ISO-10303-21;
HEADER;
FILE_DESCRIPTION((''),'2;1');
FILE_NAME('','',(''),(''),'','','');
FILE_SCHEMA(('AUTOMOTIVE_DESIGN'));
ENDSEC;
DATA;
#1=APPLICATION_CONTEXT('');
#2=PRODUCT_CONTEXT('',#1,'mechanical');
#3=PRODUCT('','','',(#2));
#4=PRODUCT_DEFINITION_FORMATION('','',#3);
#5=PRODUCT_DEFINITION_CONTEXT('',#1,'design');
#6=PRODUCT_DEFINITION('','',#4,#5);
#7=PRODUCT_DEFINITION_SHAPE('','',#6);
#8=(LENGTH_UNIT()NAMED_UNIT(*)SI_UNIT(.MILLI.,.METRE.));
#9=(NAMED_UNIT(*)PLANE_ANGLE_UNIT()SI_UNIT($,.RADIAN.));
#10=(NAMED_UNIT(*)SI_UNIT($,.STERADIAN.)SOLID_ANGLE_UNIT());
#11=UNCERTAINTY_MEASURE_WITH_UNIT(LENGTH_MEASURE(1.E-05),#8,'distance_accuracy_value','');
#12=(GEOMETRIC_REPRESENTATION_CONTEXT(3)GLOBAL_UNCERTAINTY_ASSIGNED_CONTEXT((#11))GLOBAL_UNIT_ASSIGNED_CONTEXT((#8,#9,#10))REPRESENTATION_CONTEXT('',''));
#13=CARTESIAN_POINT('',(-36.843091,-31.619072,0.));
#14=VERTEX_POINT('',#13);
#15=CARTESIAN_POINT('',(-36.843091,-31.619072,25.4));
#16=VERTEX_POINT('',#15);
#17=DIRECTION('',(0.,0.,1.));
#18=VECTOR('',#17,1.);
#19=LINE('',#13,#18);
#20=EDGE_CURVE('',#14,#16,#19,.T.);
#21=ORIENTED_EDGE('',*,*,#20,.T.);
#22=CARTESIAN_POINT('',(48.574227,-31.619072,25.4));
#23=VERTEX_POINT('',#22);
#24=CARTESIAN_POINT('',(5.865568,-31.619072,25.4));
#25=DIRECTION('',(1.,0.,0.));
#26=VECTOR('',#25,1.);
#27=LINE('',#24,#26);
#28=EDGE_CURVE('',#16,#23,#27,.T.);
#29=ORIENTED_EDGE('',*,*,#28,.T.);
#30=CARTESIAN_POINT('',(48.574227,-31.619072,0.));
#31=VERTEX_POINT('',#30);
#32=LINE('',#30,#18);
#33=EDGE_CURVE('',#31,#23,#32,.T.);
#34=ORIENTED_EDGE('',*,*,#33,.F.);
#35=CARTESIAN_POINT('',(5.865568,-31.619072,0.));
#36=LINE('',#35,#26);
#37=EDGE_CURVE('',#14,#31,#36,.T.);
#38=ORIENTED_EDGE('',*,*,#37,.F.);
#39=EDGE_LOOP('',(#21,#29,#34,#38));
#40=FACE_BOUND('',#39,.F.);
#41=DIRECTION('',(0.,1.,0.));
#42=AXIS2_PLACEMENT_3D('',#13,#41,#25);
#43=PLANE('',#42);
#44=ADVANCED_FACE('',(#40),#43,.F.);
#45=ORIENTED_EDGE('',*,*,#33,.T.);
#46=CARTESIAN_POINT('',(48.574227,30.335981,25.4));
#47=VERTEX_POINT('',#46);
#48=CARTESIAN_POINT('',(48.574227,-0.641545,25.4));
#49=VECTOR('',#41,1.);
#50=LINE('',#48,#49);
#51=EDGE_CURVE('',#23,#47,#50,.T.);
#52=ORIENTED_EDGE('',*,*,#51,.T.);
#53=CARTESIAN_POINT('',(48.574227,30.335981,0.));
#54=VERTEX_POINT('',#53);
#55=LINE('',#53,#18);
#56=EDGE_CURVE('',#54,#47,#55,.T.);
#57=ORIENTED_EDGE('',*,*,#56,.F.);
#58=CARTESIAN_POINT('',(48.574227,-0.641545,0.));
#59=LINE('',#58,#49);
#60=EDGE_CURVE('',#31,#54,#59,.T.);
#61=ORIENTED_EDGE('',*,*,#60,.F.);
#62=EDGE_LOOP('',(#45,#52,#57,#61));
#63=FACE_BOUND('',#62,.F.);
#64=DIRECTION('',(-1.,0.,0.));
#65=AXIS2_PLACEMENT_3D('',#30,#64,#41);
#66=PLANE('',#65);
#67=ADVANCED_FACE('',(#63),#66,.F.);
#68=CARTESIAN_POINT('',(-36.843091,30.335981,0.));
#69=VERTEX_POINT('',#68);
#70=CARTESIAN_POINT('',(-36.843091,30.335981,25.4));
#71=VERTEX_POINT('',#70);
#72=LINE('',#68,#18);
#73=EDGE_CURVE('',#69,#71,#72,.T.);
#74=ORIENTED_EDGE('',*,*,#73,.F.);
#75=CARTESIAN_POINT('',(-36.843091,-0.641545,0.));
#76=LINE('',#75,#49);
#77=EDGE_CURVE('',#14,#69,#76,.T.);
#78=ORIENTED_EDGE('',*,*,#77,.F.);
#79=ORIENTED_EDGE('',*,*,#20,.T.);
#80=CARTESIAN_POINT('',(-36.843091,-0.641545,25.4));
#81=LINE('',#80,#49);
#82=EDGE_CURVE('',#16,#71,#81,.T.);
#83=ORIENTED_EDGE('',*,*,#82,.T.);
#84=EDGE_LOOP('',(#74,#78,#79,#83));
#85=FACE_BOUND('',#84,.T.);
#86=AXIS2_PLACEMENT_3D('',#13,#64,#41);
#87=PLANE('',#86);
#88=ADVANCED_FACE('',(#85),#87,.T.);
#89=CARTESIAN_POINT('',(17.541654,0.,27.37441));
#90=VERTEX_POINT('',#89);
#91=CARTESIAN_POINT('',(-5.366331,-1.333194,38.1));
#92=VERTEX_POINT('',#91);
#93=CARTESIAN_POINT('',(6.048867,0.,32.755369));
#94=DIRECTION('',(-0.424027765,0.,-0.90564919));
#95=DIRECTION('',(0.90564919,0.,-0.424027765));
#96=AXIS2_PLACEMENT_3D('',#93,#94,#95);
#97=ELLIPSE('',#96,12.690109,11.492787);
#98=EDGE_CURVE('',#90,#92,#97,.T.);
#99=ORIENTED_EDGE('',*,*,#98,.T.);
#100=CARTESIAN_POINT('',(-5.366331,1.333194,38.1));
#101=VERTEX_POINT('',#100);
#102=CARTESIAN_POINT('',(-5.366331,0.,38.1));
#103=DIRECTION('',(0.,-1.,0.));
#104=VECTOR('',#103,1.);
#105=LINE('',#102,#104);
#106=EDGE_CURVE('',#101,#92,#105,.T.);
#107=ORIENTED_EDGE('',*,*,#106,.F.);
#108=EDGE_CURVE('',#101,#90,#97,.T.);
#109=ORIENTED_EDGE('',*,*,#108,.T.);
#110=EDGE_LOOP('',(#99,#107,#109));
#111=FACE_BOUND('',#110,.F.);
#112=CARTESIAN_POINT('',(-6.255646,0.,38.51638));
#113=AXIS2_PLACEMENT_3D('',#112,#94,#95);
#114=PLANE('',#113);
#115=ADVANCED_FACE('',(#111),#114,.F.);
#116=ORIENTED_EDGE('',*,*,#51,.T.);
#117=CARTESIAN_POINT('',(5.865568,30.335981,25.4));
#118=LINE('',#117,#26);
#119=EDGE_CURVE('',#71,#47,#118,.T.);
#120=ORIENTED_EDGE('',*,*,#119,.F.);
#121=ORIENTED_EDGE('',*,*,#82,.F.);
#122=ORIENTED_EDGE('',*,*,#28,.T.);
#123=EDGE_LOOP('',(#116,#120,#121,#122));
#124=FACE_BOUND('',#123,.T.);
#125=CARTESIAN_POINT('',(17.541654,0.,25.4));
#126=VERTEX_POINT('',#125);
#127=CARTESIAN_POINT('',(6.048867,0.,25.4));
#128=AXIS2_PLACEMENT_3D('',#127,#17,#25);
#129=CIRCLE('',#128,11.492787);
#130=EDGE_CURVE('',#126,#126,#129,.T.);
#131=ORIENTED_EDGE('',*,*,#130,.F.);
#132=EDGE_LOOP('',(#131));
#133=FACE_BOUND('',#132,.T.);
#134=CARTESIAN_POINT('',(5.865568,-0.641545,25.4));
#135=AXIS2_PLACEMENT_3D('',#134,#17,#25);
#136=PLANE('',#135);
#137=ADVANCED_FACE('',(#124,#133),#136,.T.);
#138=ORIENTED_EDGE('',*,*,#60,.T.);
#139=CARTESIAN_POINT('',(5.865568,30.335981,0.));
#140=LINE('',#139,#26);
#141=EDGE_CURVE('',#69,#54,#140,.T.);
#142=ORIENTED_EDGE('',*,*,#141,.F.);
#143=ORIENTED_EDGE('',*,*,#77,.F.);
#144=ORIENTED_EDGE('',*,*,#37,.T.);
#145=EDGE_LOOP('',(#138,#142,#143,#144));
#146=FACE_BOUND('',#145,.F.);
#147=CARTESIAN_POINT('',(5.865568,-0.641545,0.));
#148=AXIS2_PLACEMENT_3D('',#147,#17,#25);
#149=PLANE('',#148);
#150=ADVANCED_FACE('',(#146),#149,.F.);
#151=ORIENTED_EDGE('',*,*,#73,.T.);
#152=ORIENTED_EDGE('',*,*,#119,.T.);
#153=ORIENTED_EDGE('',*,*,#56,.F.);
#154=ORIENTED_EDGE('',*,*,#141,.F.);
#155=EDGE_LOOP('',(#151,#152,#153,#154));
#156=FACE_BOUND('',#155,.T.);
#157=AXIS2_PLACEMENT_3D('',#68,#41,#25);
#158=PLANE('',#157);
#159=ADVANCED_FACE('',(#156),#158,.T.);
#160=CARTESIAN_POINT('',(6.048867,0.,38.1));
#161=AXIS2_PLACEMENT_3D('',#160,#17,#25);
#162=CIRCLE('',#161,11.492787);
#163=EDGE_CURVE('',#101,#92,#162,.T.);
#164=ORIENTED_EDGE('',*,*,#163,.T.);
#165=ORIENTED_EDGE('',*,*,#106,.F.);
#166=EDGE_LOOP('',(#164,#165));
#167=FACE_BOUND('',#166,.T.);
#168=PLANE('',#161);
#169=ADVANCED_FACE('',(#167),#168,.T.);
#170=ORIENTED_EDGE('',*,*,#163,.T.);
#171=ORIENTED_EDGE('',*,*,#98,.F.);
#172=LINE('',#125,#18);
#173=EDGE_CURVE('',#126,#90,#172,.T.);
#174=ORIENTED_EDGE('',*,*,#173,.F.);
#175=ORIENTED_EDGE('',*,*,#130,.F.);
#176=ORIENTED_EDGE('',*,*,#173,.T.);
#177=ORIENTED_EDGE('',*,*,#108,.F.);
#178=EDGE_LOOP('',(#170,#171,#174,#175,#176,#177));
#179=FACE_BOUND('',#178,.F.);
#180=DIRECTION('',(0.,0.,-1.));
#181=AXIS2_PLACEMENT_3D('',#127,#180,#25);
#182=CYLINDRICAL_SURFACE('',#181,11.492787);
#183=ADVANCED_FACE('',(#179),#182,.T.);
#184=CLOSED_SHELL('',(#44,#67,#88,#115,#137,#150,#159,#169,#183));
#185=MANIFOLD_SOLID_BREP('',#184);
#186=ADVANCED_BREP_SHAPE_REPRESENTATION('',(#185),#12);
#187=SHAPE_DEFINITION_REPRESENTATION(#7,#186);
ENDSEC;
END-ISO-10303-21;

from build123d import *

# Parameters (mm, degrees)
F0_W     = 85.417319
F0_H     = 61.955053
F1_DEPTH = 25.4
F2_R     = 11.492787
F3_DEPTH = 12.7
F5_DEPTH = 25.4


with BuildPart() as f1:
    # F0 (on Top) → F1 (new body)
    with BuildSketch(Plane.XY):
        with Locations((5.865568, -0.641545)):
            Rectangle(F0_W, F0_H)
    extrude(amount=F1_DEPTH)

    # F2 (on face) → F3 (join)
    with BuildSketch(Plane.XY.offset(25.4)):
        with Locations((6.048867, 0)):
            Circle(F2_R)
    extrude(amount=F3_DEPTH)

    # F4 (on Front) → F5 (cut, symmetric)
    with BuildSketch(Plane.XZ):
        Polygon((18.033221, 39.003748), (-6.255646, 38.51638), (18.033221, 27.144257), align=None)
    extrude(amount=F5_DEPTH, both=True, mode=Mode.SUBTRACT)


solid = f1.part
